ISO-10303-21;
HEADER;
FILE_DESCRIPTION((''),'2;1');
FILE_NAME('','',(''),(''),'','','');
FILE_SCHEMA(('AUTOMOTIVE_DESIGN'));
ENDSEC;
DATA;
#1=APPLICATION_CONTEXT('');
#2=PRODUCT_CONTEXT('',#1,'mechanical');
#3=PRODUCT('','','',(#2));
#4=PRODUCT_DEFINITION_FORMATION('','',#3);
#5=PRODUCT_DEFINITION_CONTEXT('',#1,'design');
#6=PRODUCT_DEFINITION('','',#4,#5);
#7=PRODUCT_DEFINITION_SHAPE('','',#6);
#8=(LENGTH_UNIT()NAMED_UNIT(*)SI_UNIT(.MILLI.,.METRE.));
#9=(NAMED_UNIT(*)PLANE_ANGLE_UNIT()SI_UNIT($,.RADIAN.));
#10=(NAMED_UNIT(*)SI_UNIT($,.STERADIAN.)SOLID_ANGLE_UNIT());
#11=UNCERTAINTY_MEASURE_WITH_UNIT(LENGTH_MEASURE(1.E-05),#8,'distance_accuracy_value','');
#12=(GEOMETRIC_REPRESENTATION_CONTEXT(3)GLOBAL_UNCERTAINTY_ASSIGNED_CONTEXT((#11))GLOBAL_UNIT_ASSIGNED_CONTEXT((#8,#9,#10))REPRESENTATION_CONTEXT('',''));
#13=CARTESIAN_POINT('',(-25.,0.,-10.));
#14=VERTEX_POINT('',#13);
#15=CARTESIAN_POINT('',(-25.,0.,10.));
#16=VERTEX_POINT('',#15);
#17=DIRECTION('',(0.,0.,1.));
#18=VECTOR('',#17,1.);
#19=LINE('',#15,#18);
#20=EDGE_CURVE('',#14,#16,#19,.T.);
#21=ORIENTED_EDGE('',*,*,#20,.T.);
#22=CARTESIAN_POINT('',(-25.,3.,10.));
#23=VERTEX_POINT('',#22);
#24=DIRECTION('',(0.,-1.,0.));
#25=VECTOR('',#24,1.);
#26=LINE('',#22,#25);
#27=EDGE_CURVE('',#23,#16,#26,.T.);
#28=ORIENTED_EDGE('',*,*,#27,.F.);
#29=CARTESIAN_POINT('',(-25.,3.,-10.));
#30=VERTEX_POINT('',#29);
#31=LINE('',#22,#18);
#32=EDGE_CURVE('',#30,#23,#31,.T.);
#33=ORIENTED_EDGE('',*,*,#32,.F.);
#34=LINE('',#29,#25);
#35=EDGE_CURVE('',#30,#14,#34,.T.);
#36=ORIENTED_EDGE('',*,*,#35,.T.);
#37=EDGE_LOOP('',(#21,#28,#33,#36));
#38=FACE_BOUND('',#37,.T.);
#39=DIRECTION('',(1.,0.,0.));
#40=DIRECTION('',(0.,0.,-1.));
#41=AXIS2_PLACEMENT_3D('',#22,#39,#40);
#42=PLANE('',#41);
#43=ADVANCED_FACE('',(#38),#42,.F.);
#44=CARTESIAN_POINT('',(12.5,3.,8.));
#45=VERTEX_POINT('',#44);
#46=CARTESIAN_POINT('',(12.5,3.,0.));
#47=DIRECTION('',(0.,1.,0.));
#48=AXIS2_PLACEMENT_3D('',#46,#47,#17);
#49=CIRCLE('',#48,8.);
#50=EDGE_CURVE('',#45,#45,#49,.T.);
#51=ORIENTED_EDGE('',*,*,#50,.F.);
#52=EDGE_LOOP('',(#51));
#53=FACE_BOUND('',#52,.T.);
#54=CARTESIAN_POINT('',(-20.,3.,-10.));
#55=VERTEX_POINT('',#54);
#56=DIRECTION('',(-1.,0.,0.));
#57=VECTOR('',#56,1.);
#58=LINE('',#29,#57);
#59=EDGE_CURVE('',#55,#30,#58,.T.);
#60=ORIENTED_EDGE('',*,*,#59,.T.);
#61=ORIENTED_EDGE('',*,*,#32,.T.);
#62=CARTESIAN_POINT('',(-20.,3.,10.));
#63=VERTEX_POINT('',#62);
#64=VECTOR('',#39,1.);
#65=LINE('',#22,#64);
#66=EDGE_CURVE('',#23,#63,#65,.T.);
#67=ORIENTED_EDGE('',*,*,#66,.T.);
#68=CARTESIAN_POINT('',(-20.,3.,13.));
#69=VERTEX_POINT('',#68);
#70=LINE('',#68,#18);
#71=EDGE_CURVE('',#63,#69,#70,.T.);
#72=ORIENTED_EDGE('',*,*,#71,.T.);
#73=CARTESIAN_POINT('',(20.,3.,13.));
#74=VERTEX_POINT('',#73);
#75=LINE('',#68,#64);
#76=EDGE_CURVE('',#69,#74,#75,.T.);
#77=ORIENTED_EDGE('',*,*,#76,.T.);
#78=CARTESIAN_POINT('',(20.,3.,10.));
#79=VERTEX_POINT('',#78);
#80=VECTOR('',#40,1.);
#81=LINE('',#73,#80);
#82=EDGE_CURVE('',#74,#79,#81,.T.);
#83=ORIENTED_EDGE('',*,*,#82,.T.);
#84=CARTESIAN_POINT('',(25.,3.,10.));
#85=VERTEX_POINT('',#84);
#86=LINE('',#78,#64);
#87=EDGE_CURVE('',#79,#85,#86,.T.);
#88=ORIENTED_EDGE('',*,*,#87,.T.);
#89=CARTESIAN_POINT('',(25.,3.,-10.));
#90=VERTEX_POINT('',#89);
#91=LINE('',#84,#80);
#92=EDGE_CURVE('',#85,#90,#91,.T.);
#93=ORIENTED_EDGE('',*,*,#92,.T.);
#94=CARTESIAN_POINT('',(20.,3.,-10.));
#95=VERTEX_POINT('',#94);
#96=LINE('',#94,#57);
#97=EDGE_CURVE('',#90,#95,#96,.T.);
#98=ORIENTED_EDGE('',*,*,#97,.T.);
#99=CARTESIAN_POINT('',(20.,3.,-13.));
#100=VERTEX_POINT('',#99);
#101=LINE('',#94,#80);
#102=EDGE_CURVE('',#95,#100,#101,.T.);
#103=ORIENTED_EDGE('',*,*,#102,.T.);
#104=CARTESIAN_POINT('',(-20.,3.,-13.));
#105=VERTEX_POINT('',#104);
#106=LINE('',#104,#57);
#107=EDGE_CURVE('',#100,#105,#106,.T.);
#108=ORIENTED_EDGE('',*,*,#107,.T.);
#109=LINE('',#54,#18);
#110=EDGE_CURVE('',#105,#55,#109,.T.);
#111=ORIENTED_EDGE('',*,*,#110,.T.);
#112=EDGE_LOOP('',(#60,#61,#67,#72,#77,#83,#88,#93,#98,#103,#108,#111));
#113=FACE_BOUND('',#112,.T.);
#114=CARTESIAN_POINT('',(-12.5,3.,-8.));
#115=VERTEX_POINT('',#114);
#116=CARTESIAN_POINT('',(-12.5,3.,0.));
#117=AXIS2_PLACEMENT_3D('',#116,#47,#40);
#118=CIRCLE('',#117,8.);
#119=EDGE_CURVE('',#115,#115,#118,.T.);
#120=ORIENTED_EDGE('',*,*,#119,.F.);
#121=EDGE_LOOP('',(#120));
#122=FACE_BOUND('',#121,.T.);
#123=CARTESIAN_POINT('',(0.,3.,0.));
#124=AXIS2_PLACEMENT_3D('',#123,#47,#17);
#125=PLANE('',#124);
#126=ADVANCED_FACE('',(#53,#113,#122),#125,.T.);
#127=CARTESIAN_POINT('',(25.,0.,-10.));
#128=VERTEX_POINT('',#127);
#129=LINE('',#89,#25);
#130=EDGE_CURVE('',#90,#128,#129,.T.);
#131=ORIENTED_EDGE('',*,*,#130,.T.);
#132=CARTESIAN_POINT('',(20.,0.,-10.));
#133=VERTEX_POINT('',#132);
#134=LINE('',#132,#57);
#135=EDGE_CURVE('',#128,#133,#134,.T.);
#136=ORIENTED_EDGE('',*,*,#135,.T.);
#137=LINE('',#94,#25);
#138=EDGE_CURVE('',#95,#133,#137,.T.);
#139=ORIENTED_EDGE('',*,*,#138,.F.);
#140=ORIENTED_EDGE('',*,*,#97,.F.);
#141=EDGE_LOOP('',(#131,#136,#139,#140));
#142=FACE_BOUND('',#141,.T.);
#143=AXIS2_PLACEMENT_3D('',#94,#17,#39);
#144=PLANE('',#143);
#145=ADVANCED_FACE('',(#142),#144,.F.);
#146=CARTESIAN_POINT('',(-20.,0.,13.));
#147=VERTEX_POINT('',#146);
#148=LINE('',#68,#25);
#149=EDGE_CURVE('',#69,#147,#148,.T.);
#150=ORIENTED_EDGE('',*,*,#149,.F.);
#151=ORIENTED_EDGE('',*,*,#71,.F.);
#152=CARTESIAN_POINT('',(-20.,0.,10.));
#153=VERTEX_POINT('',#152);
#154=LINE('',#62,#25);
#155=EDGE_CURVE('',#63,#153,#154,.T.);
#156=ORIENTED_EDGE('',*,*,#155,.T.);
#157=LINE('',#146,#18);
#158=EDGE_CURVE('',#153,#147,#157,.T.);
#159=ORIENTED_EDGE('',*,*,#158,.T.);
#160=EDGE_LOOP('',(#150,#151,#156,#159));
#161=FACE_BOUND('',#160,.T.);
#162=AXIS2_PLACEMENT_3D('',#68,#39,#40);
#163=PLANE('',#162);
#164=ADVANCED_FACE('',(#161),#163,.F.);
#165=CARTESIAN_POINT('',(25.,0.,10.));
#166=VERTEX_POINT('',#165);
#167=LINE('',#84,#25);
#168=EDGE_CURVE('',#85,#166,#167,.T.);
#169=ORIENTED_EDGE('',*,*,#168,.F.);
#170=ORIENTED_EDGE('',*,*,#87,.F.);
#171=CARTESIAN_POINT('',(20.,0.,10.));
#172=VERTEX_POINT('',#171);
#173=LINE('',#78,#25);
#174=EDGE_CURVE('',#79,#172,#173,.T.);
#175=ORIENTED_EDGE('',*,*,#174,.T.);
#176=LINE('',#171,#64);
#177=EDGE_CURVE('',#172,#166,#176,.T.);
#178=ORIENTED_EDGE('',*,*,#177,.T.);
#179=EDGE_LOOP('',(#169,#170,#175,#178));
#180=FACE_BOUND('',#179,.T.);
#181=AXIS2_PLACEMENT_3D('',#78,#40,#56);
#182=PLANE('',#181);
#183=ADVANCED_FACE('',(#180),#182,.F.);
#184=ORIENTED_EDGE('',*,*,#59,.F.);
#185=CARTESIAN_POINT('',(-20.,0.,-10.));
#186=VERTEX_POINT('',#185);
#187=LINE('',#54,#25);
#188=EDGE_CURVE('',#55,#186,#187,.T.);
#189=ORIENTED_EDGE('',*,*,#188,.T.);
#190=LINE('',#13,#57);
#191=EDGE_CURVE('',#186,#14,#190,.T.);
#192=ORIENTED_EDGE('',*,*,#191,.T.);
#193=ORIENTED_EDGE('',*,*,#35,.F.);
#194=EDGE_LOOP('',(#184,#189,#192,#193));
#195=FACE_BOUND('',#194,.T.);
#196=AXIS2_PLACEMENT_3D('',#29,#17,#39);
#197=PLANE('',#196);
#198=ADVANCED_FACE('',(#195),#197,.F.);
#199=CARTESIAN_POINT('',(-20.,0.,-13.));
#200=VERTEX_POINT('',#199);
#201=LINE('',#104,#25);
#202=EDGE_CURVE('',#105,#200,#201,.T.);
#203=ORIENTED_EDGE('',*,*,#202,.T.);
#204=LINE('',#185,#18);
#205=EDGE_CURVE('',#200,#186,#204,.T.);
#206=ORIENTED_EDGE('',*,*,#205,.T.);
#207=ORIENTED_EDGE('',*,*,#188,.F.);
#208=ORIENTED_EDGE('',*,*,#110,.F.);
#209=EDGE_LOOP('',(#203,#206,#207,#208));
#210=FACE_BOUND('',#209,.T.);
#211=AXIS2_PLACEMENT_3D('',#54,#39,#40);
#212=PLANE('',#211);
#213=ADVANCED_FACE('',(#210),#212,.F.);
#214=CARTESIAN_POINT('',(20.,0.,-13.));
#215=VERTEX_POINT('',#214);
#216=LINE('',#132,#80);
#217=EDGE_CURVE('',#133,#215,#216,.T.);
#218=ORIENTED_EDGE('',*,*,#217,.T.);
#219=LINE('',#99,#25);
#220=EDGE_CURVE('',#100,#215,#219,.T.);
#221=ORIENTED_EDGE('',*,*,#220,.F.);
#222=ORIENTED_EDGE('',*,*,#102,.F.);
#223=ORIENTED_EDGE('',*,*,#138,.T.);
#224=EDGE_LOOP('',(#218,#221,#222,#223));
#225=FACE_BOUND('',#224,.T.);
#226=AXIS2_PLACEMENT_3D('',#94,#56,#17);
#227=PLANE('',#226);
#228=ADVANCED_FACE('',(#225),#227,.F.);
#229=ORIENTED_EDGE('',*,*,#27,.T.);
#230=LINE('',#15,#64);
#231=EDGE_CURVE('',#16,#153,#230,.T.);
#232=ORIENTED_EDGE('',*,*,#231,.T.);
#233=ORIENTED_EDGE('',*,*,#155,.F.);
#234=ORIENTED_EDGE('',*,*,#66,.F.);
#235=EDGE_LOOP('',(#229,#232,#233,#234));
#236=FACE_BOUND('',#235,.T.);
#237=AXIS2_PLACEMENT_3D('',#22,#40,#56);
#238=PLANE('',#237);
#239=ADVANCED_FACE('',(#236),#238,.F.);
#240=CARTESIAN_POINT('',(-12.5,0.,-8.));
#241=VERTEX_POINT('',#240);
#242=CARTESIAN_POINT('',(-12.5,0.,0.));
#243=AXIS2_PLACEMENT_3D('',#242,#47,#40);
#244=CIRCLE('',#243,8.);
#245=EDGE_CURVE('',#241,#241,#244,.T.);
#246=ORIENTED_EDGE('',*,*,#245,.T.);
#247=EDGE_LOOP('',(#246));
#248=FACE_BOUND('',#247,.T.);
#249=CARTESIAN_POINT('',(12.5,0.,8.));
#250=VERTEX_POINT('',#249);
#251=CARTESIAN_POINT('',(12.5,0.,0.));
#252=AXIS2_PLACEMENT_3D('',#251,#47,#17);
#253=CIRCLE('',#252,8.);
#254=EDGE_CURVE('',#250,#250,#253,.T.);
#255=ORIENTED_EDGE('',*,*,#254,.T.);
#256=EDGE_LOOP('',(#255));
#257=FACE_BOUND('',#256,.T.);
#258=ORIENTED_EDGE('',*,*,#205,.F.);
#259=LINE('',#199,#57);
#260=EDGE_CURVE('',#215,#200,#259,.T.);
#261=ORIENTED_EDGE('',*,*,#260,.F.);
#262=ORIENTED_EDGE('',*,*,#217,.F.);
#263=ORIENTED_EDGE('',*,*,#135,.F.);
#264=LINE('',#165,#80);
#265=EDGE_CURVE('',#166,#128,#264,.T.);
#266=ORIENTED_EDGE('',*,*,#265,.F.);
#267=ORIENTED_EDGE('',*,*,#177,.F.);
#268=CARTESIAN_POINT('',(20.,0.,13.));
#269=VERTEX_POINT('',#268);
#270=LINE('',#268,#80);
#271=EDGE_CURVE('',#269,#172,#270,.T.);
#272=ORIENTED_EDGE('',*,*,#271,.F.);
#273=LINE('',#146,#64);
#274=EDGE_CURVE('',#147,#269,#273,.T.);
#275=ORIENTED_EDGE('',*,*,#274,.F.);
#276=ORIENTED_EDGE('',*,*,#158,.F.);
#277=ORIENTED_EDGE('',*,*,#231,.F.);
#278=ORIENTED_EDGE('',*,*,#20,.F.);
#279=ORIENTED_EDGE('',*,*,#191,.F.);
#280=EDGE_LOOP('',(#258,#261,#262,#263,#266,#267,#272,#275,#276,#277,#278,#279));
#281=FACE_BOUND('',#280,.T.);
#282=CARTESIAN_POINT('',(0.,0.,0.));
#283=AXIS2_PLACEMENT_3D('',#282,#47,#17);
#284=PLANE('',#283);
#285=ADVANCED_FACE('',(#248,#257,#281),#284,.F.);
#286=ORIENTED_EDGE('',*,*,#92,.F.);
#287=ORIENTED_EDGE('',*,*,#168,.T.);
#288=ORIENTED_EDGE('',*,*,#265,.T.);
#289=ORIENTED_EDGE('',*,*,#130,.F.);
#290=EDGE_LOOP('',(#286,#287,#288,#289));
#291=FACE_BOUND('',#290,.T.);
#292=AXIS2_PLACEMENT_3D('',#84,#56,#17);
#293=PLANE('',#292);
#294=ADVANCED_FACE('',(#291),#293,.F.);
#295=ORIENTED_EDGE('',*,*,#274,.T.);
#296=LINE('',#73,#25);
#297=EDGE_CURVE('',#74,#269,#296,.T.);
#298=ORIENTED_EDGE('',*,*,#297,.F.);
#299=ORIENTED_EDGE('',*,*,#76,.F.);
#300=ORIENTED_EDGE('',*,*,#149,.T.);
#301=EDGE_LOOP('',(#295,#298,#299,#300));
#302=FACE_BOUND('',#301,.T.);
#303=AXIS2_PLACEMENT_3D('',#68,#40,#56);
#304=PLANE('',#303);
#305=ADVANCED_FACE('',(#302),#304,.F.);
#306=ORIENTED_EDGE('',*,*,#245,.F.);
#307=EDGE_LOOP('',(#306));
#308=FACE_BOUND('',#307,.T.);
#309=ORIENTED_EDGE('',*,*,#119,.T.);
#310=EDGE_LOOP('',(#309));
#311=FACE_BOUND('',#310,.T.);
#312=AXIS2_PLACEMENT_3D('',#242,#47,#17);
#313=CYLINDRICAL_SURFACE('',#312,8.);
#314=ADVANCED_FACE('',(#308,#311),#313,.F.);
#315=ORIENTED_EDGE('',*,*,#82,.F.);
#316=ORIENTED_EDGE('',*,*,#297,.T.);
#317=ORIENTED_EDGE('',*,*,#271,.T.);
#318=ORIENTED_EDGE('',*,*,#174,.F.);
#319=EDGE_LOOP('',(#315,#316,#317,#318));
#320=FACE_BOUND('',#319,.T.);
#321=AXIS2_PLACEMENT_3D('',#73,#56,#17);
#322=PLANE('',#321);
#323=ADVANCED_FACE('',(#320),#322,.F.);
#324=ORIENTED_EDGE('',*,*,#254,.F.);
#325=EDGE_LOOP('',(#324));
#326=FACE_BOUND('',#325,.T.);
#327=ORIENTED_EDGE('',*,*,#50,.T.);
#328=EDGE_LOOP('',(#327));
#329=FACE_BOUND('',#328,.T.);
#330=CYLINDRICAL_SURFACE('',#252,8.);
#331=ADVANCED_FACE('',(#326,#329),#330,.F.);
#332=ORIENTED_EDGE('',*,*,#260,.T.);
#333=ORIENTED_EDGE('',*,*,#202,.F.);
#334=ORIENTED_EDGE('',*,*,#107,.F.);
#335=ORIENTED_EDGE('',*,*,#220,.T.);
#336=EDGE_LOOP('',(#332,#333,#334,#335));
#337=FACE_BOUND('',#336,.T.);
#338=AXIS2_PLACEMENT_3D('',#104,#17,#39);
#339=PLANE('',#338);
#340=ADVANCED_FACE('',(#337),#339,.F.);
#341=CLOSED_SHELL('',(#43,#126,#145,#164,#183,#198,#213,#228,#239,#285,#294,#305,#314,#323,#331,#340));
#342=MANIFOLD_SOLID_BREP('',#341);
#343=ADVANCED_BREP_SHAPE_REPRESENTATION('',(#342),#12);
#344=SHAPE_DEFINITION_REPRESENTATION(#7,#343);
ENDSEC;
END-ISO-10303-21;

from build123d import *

# Parameters (mm, degrees)
EXTRUDE_1_DEPTH     = 3
SKETCH_2_R          = 8
CUT_EXTRUDE_1_DEPTH = 3


with BuildPart() as part:
    # 草图1 → 凸台-拉伸1 (new body)
    with BuildSketch(Plane(origin=(0, 0, 0), x_dir=(1, 0, 0), z_dir=(0, 1, 0))):
        Polygon((-20, 10), (-20, 13), (20, 13), (20, 10), (25, 10), (25, -10), (20, -10), (20, -13), (-20, -13), (-20, -10), (-25, -10), (-25, 10), align=None)
    extrude(amount=EXTRUDE_1_DEPTH)

    # 草图2 → 切除-拉伸1 (cut)
    with BuildSketch(Plane(origin=(0, 3, 0), x_dir=(1, 0, 0), z_dir=(0, 1, 0))):
        with Locations(Location((12.5, 0, 0), (0, 0, 270))):
            Circle(SKETCH_2_R)
        with Locations(Location((-12.5, 0, 0), (0, 0, 90))):
            Circle(SKETCH_2_R)
    extrude(amount=-CUT_EXTRUDE_1_DEPTH, mode=Mode.SUBTRACT)


solid = part.part
